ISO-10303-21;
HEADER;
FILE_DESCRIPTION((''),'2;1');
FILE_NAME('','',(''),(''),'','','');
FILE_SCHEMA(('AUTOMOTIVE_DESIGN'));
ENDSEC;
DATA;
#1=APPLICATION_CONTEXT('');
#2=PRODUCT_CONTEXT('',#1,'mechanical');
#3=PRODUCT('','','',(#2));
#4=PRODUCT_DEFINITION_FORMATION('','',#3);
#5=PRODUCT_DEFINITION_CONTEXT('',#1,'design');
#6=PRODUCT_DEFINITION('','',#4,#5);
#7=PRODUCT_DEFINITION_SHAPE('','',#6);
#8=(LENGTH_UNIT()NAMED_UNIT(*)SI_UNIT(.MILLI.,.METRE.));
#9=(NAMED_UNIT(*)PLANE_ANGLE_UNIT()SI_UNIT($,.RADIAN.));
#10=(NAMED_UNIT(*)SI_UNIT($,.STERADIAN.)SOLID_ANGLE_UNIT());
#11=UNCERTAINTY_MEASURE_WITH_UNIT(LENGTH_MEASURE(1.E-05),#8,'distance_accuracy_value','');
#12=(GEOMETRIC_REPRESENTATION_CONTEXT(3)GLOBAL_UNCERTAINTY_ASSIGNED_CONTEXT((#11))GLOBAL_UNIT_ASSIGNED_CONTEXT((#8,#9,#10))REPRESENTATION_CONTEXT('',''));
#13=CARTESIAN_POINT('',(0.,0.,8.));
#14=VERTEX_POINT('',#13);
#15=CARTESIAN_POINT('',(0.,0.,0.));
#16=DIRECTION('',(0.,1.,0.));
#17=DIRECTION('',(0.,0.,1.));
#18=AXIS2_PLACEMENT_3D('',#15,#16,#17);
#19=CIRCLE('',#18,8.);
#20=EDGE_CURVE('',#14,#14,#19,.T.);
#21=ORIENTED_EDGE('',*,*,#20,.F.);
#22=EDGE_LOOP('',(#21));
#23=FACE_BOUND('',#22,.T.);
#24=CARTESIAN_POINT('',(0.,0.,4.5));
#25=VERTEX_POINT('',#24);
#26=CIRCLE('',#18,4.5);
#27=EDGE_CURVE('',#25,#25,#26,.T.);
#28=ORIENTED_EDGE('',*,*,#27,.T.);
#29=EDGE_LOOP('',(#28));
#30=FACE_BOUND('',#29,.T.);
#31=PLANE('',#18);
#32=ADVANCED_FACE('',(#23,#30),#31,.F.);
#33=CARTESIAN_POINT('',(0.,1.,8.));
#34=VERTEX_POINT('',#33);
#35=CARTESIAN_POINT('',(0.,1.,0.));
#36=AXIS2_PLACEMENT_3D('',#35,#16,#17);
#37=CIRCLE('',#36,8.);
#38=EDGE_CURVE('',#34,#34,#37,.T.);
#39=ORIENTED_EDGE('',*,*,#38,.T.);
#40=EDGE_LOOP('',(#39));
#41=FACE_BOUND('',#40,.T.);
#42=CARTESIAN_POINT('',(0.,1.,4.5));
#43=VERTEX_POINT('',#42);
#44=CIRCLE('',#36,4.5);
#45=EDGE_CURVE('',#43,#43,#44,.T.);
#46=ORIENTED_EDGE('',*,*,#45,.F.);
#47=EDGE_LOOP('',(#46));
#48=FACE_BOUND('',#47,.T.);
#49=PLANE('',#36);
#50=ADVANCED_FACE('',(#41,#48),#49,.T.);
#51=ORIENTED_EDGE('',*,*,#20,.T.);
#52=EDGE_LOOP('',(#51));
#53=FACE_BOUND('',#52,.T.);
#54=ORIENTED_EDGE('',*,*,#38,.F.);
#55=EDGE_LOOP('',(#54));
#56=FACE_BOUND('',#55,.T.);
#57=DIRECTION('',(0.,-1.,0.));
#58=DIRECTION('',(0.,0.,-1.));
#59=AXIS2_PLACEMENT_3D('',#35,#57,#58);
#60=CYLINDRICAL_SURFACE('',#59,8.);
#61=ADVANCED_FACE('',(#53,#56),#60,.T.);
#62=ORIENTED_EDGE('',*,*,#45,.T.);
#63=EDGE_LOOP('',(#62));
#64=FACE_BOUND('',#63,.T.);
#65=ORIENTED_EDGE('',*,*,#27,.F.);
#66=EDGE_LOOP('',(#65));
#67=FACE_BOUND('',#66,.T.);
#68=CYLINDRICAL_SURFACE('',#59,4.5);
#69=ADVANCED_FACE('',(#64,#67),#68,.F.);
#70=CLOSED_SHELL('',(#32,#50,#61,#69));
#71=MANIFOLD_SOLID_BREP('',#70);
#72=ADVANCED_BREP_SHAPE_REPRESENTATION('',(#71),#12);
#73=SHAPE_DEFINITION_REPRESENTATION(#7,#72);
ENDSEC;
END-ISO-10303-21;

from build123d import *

# Parameters (mm, degrees)
CROQUIS1_R              = 8
CROQUIS1_R_2            = 4.5
SALIENTE_EXTRUIR1_DEPTH = 1


with BuildPart() as part:
    # Croquis1 → Saliente-Extruir1 (new body)
    with BuildSketch(Plane(origin=(0, 0, 0), x_dir=(1, 0, 0), z_dir=(0, 1, 0))):
        Circle(CROQUIS1_R)
        Circle(CROQUIS1_R_2, mode=Mode.SUBTRACT)
    extrude(amount=SALIENTE_EXTRUIR1_DEPTH)


solid = part.part
